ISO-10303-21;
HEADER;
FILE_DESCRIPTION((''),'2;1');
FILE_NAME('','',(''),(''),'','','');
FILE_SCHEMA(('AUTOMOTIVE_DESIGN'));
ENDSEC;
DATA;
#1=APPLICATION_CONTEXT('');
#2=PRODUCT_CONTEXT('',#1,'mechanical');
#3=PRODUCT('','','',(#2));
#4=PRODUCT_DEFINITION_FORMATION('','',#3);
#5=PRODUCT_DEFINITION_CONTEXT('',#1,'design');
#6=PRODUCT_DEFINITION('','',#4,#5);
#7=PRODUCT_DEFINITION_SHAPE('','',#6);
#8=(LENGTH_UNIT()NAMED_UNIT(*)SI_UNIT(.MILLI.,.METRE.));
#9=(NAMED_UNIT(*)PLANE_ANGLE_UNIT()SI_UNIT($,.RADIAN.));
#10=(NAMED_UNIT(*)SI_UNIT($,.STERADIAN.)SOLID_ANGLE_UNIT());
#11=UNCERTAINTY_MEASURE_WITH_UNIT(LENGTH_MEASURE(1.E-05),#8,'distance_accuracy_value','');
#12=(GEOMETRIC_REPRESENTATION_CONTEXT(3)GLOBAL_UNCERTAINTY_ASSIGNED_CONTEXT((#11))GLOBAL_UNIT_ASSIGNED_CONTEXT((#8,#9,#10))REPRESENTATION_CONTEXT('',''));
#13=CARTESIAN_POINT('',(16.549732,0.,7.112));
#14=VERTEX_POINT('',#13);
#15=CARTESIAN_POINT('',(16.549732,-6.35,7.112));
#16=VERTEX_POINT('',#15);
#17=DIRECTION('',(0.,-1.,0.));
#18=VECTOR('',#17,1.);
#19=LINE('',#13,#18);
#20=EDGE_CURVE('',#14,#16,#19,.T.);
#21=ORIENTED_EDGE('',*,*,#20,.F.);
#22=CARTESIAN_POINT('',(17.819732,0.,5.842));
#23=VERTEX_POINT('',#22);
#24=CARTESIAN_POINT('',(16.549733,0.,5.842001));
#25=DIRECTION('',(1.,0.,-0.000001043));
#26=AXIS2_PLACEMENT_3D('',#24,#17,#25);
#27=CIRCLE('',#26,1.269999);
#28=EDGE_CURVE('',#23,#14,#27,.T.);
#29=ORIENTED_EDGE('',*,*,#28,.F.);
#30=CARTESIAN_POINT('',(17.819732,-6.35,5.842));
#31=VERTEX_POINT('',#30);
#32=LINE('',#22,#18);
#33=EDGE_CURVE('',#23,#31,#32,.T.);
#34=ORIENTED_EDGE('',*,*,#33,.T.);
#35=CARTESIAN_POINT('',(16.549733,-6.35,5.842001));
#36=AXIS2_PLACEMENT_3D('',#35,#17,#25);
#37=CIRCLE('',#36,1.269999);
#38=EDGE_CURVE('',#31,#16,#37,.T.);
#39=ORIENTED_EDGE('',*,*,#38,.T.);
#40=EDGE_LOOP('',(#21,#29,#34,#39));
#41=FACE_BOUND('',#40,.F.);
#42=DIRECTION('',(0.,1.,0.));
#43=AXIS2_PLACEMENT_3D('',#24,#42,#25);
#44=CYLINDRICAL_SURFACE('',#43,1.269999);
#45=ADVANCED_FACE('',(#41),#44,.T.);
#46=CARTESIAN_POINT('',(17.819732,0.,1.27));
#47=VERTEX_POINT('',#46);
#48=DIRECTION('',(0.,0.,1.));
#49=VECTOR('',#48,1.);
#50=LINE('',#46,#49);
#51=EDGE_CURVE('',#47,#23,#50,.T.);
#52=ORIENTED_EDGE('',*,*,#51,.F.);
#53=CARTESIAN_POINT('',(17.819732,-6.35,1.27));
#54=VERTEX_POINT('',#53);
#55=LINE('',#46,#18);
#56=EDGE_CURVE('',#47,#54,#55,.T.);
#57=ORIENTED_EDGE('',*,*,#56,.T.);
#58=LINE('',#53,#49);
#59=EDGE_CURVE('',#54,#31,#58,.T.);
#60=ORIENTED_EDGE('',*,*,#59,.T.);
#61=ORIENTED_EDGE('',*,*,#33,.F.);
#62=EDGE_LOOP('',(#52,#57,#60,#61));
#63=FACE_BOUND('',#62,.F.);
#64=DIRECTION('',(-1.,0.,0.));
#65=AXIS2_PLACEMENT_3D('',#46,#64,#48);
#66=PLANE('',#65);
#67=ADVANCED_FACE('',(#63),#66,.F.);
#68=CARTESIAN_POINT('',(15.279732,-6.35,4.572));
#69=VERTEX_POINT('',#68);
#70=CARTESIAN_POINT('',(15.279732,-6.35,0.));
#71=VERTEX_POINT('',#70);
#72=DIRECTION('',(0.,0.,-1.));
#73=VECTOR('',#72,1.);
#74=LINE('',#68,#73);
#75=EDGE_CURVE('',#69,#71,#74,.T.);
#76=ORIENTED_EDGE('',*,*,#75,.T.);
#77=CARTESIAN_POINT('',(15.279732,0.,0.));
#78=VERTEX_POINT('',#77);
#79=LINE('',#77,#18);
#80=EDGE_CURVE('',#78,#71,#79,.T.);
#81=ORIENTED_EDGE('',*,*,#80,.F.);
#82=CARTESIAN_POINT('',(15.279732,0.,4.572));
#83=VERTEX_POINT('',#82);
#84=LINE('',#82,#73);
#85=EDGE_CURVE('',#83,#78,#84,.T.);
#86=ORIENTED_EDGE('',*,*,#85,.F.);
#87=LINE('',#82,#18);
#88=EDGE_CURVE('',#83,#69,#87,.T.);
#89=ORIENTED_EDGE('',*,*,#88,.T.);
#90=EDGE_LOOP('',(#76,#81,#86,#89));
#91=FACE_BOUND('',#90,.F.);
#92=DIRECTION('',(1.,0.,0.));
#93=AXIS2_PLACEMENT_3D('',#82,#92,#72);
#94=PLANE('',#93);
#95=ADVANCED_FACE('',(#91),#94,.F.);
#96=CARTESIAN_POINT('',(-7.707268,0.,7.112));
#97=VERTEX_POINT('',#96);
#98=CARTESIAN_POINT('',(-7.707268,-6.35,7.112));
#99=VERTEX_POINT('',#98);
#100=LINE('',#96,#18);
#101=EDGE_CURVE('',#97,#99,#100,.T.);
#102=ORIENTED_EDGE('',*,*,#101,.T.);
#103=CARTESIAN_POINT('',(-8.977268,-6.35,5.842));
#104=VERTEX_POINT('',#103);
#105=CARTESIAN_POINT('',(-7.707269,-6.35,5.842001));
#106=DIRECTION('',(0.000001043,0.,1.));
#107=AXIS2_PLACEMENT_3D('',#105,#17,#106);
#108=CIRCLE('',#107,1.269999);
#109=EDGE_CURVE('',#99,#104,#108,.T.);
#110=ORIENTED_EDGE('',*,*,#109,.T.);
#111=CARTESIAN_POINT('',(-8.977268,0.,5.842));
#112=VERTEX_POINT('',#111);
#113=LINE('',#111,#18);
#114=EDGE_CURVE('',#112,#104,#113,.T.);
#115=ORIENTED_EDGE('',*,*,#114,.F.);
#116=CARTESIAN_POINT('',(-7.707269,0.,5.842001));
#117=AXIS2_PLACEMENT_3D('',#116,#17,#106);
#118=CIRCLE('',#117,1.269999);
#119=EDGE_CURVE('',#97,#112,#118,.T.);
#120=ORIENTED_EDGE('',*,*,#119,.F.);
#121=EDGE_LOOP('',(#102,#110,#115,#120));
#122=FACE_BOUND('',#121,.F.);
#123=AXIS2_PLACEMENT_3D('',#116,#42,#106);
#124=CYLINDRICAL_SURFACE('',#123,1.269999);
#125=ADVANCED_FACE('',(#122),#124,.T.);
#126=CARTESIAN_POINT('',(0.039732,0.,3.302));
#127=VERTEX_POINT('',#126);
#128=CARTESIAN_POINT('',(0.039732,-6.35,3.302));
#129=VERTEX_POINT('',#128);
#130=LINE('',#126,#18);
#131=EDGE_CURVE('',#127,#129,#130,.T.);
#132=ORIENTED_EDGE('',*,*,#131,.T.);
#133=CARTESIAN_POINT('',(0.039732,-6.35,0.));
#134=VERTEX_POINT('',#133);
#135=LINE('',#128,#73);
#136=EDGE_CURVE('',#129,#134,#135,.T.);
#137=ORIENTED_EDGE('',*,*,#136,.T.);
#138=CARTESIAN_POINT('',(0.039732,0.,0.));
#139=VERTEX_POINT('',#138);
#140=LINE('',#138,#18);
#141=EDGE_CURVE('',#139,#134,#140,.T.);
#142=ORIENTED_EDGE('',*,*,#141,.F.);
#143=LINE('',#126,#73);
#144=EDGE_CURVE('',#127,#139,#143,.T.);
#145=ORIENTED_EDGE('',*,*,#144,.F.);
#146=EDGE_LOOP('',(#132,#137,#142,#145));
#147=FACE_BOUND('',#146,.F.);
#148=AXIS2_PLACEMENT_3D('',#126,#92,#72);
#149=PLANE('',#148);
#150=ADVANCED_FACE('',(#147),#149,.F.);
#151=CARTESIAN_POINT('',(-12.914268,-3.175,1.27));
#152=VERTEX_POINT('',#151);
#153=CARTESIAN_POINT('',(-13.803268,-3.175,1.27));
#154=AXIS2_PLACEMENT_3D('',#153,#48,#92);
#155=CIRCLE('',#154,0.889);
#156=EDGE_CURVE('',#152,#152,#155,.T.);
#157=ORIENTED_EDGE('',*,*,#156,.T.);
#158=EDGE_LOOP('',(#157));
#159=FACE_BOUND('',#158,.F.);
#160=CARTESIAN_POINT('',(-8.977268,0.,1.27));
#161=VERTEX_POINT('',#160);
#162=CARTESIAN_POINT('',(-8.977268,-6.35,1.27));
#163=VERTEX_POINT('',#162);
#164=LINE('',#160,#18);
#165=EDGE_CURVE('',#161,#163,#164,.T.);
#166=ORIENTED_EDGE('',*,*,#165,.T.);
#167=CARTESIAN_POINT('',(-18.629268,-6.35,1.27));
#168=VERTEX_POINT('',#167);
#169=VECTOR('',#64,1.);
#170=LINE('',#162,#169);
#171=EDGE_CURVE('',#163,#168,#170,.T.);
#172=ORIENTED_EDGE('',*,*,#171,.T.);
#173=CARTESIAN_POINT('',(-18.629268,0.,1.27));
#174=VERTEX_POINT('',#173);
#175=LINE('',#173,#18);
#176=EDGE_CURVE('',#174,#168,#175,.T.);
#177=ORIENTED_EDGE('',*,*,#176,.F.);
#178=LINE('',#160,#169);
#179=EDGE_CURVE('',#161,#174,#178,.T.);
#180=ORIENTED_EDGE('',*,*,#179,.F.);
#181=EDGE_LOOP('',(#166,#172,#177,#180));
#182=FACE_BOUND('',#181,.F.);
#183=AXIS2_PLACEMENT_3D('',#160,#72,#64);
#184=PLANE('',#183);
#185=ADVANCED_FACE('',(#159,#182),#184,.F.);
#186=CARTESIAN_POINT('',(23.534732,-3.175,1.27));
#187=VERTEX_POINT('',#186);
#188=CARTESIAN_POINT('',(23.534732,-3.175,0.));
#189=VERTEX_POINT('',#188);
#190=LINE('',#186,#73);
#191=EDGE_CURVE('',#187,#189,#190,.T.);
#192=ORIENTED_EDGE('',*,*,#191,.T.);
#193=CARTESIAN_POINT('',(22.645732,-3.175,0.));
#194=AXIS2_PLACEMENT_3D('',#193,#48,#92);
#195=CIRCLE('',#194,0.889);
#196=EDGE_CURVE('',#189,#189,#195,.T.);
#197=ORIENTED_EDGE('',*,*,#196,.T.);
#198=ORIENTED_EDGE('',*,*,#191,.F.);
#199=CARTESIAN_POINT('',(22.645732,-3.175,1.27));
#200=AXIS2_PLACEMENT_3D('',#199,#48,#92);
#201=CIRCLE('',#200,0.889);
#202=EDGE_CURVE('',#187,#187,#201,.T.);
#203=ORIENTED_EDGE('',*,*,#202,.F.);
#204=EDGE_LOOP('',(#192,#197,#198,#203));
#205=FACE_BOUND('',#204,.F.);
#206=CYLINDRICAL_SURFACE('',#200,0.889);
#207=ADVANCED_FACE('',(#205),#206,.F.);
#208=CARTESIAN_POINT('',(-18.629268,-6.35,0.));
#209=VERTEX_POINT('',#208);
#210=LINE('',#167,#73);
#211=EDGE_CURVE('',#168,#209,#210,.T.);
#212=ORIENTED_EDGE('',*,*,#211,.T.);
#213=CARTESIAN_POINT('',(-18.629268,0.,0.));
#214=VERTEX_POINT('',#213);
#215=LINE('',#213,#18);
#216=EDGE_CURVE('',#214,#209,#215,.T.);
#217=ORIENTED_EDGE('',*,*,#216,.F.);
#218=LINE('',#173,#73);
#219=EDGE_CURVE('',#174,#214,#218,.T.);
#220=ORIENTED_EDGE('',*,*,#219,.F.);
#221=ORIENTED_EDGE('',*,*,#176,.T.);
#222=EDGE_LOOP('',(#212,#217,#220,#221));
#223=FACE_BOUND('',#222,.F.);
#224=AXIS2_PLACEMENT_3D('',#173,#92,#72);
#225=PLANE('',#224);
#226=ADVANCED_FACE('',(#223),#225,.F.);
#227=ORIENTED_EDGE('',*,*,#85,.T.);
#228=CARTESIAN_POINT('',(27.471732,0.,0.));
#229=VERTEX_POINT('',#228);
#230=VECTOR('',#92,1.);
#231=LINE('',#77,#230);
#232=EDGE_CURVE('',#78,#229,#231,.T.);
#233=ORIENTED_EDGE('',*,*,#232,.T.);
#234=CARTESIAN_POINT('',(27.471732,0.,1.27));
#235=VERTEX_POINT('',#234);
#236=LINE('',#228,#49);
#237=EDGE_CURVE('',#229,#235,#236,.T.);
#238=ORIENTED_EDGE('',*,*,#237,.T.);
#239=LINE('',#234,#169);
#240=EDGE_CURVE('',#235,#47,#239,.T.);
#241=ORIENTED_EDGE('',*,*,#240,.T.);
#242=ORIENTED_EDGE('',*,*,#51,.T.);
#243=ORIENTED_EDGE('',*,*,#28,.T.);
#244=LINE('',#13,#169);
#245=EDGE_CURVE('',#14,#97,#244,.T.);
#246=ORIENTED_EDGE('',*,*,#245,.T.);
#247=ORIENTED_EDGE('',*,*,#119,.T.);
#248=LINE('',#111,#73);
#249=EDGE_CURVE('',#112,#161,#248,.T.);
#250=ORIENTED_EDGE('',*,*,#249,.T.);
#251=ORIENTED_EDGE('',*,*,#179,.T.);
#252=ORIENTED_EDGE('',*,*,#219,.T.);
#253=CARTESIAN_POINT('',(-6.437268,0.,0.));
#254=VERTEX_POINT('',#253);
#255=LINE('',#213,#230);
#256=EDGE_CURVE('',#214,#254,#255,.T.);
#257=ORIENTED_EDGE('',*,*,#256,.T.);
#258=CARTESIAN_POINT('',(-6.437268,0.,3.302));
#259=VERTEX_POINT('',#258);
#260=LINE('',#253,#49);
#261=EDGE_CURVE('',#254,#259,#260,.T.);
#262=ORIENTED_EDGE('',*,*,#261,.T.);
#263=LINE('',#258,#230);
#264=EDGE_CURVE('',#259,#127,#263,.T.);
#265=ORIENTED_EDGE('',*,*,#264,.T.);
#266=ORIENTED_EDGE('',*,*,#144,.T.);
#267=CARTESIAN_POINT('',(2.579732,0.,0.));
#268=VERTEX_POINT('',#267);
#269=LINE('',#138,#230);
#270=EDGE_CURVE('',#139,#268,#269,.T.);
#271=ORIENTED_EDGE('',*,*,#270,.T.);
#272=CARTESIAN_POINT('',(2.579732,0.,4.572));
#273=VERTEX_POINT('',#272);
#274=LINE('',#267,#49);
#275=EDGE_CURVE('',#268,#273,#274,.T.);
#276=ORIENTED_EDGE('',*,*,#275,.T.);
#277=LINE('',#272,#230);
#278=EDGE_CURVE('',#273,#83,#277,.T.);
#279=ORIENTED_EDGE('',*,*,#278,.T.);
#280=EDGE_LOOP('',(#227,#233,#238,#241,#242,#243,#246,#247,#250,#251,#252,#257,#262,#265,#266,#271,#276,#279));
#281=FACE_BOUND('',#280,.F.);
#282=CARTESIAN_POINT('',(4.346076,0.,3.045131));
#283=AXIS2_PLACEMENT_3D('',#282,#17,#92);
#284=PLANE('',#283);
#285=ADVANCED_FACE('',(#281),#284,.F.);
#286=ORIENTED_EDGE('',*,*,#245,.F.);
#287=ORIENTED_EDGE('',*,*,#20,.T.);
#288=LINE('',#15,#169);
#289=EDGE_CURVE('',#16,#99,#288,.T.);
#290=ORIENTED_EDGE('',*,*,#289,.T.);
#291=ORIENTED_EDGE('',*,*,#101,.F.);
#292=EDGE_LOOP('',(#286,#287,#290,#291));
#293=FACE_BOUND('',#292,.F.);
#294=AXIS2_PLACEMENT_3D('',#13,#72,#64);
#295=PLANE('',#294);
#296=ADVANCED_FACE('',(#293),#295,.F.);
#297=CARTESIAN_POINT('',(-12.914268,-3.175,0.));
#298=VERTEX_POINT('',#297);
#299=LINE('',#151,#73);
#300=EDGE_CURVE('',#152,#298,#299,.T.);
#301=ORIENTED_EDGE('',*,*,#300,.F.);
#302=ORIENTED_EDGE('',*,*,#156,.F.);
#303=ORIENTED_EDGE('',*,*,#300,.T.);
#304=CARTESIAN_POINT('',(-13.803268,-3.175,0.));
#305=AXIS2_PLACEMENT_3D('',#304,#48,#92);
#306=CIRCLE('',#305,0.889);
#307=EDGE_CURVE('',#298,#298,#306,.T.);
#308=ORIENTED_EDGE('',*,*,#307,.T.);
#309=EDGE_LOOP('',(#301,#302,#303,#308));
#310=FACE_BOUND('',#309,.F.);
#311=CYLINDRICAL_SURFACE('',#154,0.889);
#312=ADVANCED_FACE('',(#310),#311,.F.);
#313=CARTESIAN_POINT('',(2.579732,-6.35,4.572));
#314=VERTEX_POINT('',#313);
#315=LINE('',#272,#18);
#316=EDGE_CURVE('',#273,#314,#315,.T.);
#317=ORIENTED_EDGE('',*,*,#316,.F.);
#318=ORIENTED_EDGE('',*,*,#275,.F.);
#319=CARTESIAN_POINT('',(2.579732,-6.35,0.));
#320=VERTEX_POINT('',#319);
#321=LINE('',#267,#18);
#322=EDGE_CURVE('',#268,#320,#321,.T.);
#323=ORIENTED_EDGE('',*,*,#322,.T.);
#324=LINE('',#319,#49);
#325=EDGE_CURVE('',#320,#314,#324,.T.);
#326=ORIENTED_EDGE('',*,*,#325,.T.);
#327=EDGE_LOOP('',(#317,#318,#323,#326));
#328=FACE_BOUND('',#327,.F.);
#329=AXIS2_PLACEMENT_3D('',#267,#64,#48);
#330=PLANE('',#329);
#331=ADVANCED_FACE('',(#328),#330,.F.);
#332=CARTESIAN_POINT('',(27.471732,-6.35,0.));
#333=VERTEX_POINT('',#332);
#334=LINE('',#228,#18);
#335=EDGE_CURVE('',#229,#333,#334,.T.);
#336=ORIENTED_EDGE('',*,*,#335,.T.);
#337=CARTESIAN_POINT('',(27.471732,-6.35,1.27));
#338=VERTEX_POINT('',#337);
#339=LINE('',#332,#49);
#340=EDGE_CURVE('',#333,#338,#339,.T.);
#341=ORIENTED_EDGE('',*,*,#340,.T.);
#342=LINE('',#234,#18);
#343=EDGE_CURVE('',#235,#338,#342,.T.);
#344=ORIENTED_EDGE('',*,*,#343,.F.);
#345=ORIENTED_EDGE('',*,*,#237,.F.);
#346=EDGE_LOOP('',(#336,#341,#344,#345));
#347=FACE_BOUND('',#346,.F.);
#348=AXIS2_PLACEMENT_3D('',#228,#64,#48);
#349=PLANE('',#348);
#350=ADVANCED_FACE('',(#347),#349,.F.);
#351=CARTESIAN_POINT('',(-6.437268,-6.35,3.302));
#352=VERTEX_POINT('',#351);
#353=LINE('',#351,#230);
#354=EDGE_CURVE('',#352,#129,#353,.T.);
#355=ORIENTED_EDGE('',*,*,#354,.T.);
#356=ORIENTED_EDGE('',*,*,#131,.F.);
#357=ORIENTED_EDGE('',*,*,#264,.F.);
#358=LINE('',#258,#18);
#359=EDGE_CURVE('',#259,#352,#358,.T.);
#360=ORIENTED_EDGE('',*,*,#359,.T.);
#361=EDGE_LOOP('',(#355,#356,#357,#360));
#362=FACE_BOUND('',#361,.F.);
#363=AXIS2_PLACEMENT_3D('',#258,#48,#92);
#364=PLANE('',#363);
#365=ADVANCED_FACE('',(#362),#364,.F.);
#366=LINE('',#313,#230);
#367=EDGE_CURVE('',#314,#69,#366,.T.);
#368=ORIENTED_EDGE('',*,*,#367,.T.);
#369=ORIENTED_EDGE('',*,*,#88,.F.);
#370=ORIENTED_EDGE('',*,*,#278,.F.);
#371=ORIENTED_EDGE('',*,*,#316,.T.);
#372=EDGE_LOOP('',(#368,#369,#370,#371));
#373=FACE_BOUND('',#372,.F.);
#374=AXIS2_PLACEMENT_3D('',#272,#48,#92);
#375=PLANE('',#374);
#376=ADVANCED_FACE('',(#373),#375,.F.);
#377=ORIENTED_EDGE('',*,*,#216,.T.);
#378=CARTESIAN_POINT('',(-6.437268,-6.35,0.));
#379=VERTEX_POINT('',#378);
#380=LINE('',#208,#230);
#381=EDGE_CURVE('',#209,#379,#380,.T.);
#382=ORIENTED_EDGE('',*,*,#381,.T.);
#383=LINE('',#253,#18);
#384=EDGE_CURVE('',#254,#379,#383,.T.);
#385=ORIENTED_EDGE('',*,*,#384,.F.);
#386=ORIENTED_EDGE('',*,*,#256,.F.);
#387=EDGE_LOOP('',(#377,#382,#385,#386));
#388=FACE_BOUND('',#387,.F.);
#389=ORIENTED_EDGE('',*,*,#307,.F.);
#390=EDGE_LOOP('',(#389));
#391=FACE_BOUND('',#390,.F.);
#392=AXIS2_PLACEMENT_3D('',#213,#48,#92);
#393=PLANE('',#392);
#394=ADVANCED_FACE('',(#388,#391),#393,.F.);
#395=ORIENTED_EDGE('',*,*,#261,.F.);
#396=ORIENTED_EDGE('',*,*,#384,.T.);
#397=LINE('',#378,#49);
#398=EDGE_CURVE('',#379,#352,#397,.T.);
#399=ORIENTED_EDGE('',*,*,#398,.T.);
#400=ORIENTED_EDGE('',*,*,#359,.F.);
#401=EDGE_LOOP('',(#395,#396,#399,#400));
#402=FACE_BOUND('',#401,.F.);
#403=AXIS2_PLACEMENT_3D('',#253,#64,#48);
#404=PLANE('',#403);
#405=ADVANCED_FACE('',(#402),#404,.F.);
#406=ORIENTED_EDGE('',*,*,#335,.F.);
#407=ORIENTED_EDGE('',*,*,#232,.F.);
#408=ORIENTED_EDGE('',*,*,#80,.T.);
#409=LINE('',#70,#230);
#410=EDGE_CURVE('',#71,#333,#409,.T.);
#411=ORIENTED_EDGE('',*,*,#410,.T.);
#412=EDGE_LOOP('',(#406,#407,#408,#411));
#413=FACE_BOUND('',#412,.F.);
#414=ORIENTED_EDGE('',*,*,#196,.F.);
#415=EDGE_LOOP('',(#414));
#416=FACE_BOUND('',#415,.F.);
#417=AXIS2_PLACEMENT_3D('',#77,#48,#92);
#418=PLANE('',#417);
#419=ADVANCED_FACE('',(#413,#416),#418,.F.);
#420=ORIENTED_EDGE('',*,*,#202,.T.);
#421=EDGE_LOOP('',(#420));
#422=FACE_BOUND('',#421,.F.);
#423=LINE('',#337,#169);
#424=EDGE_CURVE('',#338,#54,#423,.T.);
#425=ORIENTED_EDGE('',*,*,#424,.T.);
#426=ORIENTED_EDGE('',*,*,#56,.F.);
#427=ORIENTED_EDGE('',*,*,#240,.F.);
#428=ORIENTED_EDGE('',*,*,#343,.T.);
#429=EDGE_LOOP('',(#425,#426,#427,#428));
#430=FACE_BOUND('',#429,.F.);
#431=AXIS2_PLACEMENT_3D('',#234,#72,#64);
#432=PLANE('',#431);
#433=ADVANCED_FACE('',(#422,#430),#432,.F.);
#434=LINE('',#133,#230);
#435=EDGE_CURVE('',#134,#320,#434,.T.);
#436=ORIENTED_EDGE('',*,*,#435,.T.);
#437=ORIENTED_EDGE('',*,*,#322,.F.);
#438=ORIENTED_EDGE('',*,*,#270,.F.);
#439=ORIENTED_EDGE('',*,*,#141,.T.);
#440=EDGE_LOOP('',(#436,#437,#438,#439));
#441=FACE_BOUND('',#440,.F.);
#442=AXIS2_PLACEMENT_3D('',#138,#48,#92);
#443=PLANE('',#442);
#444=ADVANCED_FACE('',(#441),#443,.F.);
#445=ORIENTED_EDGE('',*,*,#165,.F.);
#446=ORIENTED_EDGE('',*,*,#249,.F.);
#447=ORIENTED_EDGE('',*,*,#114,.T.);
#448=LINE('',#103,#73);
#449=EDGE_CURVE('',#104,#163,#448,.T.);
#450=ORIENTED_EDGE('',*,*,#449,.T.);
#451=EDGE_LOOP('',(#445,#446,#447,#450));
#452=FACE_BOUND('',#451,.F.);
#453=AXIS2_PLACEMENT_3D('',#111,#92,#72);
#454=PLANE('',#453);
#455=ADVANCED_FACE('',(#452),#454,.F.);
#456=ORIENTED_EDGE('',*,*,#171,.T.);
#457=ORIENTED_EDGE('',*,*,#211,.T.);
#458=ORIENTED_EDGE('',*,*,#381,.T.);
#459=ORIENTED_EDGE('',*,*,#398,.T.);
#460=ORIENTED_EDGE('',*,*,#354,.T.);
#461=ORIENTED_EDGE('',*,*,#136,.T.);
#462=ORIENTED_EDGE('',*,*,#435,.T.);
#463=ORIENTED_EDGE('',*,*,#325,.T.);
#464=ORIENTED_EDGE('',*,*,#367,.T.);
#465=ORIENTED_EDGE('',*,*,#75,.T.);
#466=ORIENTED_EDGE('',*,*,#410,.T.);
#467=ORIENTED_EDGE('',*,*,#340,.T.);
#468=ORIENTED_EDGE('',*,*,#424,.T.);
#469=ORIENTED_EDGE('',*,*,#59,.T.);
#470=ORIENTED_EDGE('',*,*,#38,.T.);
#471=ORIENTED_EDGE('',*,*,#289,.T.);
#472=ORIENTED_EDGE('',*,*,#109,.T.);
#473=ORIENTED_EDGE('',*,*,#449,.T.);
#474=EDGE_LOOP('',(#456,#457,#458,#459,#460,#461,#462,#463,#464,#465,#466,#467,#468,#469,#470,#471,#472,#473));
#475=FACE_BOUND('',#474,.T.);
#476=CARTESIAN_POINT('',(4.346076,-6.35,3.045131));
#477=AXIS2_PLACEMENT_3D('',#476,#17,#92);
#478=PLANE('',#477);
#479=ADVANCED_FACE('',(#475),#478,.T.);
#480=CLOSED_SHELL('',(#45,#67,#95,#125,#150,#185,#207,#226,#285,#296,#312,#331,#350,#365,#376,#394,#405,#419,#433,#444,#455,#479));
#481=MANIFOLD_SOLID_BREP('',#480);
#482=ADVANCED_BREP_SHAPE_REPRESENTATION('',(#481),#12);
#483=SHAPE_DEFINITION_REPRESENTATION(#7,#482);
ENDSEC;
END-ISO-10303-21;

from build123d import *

# Parameters (mm, degrees)
F1_DEPTH = 6.35
F2_R     = 0.889
F3_DEPTH = 1.27


with BuildPart() as f1:
    # F0 (on Front) → F1 (new body)
    with BuildSketch(Plane.XZ):
        with BuildLine():
            Line((15.279732, 4.572), (15.279732, 0))
            Line((15.279732, 0), (17.819732, 0))
            Line((17.819732, 0), (27.471732, 0))
            Line((27.471732, 0), (27.471732, 1.27))
            Line((27.471732, 1.27), (17.819732, 1.27))
            Line((17.819732, 1.27), (17.819732, 5.842))
            ThreePointArc((17.819732, 5.842), (17.447758, 6.740026), (16.549732, 7.112))
            Line((16.549732, 7.112), (-7.707268, 7.112))
            ThreePointArc((-7.707268, 7.112), (-8.605294, 6.740026), (-8.977268, 5.842))
            Line((-8.977268, 5.842), (-8.977268, 1.27))
            Line((-8.977268, 1.27), (-18.629268, 1.27))
            Line((-18.629268, 1.27), (-18.629268, 0))
            Line((-18.629268, 0), (-6.437268, 0))
            Line((-6.437268, 0), (-6.437268, 3.302))
            Line((-6.437268, 3.302), (0.039732, 3.302))
            Line((0.039732, 3.302), (0.039732, 0))
            Line((0.039732, 0), (2.579732, 0))
            Line((2.579732, 0), (2.579732, 4.572))
            Line((2.579732, 4.572), (15.279732, 4.572))
        make_face()
    extrude(amount=F1_DEPTH)

    # F2 (on face) → F3 (cut, through all)
    with BuildSketch(Plane.XY.offset(1.27)):
        with Locations((-13.803268, -3.175)):
            Circle(F2_R)
        with Locations((22.645732, -3.175)):
            Circle(F2_R)
    extrude(amount=-F3_DEPTH, mode=Mode.SUBTRACT)


solid = f1.part
